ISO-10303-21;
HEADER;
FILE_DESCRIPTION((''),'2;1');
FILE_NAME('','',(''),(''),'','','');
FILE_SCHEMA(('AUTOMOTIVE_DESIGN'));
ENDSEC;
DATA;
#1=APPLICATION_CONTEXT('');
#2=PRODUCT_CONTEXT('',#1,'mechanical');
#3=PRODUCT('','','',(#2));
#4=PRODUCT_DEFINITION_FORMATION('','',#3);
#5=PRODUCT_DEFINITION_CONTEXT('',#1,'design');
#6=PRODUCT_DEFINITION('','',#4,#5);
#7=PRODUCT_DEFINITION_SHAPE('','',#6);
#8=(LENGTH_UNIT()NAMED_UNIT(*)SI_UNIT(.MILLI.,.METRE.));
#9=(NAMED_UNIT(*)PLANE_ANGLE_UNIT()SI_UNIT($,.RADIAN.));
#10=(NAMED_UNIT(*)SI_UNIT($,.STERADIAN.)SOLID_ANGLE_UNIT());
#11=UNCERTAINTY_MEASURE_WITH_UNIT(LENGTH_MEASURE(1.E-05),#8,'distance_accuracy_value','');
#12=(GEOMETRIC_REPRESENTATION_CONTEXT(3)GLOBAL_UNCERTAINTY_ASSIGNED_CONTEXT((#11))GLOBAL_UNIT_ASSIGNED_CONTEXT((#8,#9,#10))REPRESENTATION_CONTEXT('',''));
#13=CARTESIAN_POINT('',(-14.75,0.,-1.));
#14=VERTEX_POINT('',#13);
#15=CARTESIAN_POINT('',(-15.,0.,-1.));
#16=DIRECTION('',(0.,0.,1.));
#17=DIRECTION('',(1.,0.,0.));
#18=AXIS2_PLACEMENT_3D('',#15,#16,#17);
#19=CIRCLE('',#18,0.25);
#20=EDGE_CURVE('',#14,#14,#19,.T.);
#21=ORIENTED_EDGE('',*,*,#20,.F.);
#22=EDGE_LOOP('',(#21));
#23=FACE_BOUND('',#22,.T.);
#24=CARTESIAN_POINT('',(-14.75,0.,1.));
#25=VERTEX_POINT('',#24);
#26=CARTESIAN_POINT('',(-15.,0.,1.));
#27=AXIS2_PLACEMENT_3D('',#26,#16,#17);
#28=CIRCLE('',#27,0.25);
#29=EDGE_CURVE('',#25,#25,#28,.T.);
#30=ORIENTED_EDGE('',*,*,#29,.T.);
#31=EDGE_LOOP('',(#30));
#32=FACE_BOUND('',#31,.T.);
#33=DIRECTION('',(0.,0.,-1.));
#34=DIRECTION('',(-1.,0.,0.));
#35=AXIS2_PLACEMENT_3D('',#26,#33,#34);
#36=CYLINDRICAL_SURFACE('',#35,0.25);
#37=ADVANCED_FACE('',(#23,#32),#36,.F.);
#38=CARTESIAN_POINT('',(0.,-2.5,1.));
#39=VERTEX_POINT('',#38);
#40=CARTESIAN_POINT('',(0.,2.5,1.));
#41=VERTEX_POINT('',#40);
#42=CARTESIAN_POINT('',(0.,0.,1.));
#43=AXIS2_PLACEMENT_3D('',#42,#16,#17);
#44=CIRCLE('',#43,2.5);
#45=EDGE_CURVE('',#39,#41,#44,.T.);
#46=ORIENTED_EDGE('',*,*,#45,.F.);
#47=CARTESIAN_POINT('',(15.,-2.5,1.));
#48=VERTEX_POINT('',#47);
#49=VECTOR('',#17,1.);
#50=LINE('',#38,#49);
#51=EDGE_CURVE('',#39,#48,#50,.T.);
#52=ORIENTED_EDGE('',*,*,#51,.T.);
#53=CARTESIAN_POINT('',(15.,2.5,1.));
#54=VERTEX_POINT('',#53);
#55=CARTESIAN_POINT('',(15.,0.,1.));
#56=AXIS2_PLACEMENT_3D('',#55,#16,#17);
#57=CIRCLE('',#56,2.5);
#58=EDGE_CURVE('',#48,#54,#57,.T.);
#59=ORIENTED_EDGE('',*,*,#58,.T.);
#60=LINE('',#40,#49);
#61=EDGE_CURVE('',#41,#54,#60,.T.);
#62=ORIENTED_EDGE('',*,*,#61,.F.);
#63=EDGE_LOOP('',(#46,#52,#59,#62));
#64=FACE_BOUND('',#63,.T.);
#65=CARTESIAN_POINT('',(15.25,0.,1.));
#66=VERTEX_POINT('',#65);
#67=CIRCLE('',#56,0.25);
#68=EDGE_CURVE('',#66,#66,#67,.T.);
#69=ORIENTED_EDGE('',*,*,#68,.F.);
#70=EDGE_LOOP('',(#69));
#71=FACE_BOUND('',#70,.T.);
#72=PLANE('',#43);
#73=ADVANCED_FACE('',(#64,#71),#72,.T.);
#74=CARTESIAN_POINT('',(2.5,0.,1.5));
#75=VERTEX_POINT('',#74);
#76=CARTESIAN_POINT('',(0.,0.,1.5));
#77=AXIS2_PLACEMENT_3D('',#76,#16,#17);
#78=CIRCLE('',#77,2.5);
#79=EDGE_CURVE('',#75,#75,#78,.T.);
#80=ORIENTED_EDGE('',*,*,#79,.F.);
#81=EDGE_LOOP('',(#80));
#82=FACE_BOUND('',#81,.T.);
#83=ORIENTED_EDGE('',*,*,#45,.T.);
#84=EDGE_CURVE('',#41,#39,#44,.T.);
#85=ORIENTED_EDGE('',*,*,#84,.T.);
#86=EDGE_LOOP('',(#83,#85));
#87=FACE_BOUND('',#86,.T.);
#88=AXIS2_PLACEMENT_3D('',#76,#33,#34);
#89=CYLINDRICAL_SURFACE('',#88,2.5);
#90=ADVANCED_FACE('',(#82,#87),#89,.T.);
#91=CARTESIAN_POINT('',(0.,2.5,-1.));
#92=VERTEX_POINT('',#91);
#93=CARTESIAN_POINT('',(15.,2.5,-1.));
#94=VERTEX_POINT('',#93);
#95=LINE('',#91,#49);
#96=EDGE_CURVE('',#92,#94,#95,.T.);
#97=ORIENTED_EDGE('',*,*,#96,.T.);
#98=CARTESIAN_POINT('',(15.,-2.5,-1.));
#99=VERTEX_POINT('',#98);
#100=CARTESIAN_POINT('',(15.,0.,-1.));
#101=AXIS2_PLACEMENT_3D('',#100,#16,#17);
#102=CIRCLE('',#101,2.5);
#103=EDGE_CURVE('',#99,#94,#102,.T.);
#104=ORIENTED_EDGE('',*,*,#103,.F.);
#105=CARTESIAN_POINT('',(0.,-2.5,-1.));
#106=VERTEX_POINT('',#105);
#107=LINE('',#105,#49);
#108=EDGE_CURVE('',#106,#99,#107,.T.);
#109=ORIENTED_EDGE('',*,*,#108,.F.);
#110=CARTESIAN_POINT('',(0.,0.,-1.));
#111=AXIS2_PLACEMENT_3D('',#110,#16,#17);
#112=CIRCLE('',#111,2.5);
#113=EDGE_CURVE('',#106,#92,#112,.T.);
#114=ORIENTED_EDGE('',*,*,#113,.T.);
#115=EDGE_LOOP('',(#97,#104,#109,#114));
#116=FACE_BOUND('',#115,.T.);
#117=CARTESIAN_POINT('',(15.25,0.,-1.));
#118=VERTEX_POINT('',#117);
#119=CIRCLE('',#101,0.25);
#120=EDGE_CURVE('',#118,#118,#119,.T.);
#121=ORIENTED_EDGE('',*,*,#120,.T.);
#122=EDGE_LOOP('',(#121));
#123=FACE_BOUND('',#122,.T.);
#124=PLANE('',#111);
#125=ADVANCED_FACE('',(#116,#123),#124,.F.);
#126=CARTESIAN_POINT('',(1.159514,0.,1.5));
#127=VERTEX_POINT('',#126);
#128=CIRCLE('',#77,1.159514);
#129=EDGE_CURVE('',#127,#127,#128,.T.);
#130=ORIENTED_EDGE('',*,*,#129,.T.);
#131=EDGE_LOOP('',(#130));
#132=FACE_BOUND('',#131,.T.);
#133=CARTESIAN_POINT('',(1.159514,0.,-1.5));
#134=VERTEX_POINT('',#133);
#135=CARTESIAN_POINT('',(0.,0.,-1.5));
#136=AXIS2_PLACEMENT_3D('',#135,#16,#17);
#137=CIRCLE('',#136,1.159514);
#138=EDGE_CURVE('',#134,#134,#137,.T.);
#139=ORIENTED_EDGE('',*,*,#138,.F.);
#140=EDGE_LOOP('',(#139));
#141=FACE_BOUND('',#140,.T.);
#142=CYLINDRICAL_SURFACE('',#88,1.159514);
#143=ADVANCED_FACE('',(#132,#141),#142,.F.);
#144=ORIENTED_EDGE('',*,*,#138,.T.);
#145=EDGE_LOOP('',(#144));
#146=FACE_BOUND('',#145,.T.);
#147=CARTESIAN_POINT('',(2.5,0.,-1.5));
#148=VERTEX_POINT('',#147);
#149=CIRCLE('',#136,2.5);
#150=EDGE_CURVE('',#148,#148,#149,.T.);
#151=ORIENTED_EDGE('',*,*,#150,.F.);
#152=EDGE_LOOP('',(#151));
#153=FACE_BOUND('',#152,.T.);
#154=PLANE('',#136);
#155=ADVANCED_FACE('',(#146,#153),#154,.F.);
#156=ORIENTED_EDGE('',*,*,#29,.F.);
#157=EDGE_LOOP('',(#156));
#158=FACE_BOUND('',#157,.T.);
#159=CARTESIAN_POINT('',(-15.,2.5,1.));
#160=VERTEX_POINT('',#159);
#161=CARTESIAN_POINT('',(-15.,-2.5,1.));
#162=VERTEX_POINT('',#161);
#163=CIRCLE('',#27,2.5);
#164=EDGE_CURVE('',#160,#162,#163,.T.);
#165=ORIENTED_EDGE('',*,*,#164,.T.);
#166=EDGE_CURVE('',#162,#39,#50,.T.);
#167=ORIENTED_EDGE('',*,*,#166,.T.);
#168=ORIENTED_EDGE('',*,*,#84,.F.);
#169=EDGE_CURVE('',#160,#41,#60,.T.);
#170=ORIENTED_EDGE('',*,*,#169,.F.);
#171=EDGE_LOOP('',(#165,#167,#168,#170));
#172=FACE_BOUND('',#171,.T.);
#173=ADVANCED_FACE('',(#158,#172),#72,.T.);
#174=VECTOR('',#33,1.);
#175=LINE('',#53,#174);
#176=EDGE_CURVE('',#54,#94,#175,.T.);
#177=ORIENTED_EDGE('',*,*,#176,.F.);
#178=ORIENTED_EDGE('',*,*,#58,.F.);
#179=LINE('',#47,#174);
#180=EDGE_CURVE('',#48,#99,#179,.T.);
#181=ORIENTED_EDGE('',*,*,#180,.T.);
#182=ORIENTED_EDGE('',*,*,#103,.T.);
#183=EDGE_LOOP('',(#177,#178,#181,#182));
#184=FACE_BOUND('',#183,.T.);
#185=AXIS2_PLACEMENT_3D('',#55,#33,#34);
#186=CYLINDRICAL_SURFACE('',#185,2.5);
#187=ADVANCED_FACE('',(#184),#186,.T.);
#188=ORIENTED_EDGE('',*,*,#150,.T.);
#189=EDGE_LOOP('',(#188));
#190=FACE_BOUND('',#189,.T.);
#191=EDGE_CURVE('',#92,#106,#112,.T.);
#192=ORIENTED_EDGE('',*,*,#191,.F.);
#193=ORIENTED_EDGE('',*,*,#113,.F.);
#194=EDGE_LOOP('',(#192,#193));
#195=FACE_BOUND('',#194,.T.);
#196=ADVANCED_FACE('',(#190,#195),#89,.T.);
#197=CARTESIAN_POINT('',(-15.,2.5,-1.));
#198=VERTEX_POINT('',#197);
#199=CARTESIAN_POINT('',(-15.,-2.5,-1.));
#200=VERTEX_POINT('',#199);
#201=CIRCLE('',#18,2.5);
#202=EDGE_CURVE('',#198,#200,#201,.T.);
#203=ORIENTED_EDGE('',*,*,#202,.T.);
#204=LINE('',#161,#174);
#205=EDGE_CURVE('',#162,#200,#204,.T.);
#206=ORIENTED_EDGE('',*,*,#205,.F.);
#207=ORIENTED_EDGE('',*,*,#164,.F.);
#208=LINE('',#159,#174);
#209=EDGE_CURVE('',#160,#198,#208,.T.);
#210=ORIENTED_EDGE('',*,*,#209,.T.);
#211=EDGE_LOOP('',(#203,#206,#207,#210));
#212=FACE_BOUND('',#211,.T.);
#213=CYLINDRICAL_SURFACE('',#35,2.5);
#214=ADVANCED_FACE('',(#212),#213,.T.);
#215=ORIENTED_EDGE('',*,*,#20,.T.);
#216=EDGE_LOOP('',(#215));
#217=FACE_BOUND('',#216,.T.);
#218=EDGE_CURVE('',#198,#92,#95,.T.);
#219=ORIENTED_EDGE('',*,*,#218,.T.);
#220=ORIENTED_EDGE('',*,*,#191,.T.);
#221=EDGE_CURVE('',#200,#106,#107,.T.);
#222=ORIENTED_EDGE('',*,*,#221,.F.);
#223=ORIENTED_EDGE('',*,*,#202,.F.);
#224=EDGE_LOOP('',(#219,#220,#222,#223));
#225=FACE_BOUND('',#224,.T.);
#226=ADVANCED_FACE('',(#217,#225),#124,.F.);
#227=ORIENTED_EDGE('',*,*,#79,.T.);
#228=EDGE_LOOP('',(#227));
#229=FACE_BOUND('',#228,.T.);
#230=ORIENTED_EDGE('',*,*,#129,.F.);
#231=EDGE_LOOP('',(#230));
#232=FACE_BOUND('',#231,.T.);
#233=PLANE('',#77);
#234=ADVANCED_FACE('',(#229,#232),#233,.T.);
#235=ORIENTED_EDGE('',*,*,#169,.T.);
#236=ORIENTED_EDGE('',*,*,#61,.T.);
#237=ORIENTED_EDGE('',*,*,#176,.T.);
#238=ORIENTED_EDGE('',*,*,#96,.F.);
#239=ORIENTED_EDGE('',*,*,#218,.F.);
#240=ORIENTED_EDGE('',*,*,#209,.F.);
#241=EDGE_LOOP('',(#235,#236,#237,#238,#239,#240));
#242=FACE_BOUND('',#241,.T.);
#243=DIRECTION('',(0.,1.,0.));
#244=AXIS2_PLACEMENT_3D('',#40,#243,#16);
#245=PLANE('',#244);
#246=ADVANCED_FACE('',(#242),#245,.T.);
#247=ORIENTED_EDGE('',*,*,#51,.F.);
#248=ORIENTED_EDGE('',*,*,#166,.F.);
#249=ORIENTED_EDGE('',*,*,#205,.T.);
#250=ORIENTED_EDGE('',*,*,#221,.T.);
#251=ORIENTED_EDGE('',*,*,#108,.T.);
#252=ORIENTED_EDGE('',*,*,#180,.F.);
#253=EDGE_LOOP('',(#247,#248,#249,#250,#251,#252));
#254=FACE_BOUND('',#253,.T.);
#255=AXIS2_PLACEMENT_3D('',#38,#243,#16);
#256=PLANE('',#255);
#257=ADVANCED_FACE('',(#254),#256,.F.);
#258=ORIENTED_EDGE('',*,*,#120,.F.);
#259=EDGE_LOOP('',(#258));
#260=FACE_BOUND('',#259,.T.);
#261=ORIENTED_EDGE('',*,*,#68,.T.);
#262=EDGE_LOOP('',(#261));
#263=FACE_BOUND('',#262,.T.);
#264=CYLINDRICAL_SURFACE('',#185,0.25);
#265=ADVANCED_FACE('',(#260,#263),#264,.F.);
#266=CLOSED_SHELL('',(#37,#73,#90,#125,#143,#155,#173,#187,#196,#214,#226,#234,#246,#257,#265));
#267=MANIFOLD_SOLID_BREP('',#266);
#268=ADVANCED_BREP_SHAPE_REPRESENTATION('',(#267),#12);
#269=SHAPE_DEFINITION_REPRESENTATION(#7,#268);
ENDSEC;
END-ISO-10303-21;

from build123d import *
from build123d.topology import SkipClean

# Parameters (mm, degrees)
BOSS_EXTRUDE2_DEPTH = 1
SKETCH2_R           = 2.5
SKETCH2_R_2         = 1.159513831
BOSS_EXTRUDE3_DEPTH = 1.5


with BuildPart() as part:
    # Sketch1 → Boss-Extrude2 (new, symmetric)
    with BuildSketch(Plane.XY):
        with BuildLine():
            ThreePointArc((-12.5, 0), (-13.232233047, -1.767766953), (-15, -2.5))
            Line((-15, -2.5), (0, -2.5))
            ThreePointArc((0, -2.5), (-2.5, -1.2e-08), (-2.3e-08, 2.5))
            Line((-2.3e-08, 2.5), (-15, 2.5))
            ThreePointArc((-15, 2.5), (-13.232233047, 1.767766953), (-12.5, 0))
        make_face()
        with BuildLine():
            ThreePointArc((-15, 2.5), (-17.5, 0), (-15, -2.5))
            Line((-15, -2.5), (-15, -0.25))
            ThreePointArc((-15, -0.25), (-15.25, 0), (-15, 0.25))
            Line((-15, 0.25), (-15, 2.5))
        make_face()
        with BuildLine():
            Line((-15, -0.25), (-15, -2.5))
            ThreePointArc((-15, -2.5), (-13.232233047, -1.767766953), (-12.5, 0))
            ThreePointArc((-12.5, 0), (-13.232233047, 1.767766953), (-15, 2.5))
            Line((-15, 2.5), (-15, 0.25))
            ThreePointArc((-15, 0.25), (-14.823223305, 0.176776695), (-14.75, 0))
            ThreePointArc((-14.75, 0), (-14.823223305, -0.176776695), (-15, -0.25))
        make_face()
        with BuildLine():
            ThreePointArc((-15, 2.5), (-17.5, 0), (-15, -2.5))
            Line((-15, -2.5), (-15, -0.25))
            ThreePointArc((-15, -0.25), (-15.25, 0), (-15, 0.25))
            Line((-15, 0.25), (-15, 2.5))
        make_face()
        with BuildLine():
            Line((-15, -0.25), (-15, -2.5))
            ThreePointArc((-15, -2.5), (-13.232233047, -1.767766953), (-12.5, 0))
            ThreePointArc((-12.5, 0), (-13.232233047, 1.767766953), (-15, 2.5))
            Line((-15, 2.5), (-15, 0.25))
            ThreePointArc((-15, 0.25), (-14.823223305, 0.176776695), (-14.75, 0))
            ThreePointArc((-14.75, 0), (-14.823223305, -0.176776695), (-15, -0.25))
        make_face()
        with BuildLine():
            ThreePointArc((2.5, 0), (1.767766953, -1.767766953), (0, -2.5))
            Line((0, -2.5), (15, -2.5))
            ThreePointArc((15, -2.5), (12.5, 0), (15, 2.5))
            Line((15, 2.5), (-2.3e-08, 2.5))
            ThreePointArc((-2.3e-08, 2.5), (1.767766945, 1.767766961), (2.5, 0))
        make_face()
        with BuildLine():
            ThreePointArc((15, 2.5), (12.5, 0), (15, -2.5))
            Line((15, -2.5), (15, -0.25))
            ThreePointArc((15, -0.25), (14.75, 0), (15, 0.25))
            Line((15, 0.25), (15, 2.5))
        make_face()
        with BuildLine():
            Line((15, -0.25), (15, -2.5))
            ThreePointArc((15, -2.5), (16.767766953, -1.767766953), (17.5, 0))
            ThreePointArc((17.5, 0), (16.767766953, 1.767766953), (15, 2.5))
            Line((15, 2.5), (15, 0.25))
            ThreePointArc((15, 0.25), (15.176776695, 0.176776695), (15.25, 0))
            ThreePointArc((15.25, 0), (15.176776695, -0.176776695), (15, -0.25))
        make_face()
        with BuildLine():
            ThreePointArc((15, 2.5), (12.5, 0), (15, -2.5))
            Line((15, -2.5), (15, -0.25))
            ThreePointArc((15, -0.25), (14.75, 0), (15, 0.25))
            Line((15, 0.25), (15, 2.5))
        make_face()
        with BuildLine():
            Line((15, -0.25), (15, -2.5))
            ThreePointArc((15, -2.5), (16.767766953, -1.767766953), (17.5, 0))
            ThreePointArc((17.5, 0), (16.767766953, 1.767766953), (15, 2.5))
            Line((15, 2.5), (15, 0.25))
            ThreePointArc((15, 0.25), (15.176776695, 0.176776695), (15.25, 0))
            ThreePointArc((15.25, 0), (15.176776695, -0.176776695), (15, -0.25))
        make_face()
    extrude(amount=BOSS_EXTRUDE2_DEPTH, both=True)

    # Sketch2 → Boss-Extrude3 (add, symmetric)
    with SkipClean():  # the faces are left unmerged after this step: merging them gives an invalid solid
        with BuildSketch(Plane.XY):
            with Locations(Location((0, 0, 0), (0, 0, 270))):
                Circle(SKETCH2_R)
            Circle(SKETCH2_R_2, mode=Mode.SUBTRACT)
        extrude(amount=BOSS_EXTRUDE3_DEPTH, both=True)


solid = part.part
